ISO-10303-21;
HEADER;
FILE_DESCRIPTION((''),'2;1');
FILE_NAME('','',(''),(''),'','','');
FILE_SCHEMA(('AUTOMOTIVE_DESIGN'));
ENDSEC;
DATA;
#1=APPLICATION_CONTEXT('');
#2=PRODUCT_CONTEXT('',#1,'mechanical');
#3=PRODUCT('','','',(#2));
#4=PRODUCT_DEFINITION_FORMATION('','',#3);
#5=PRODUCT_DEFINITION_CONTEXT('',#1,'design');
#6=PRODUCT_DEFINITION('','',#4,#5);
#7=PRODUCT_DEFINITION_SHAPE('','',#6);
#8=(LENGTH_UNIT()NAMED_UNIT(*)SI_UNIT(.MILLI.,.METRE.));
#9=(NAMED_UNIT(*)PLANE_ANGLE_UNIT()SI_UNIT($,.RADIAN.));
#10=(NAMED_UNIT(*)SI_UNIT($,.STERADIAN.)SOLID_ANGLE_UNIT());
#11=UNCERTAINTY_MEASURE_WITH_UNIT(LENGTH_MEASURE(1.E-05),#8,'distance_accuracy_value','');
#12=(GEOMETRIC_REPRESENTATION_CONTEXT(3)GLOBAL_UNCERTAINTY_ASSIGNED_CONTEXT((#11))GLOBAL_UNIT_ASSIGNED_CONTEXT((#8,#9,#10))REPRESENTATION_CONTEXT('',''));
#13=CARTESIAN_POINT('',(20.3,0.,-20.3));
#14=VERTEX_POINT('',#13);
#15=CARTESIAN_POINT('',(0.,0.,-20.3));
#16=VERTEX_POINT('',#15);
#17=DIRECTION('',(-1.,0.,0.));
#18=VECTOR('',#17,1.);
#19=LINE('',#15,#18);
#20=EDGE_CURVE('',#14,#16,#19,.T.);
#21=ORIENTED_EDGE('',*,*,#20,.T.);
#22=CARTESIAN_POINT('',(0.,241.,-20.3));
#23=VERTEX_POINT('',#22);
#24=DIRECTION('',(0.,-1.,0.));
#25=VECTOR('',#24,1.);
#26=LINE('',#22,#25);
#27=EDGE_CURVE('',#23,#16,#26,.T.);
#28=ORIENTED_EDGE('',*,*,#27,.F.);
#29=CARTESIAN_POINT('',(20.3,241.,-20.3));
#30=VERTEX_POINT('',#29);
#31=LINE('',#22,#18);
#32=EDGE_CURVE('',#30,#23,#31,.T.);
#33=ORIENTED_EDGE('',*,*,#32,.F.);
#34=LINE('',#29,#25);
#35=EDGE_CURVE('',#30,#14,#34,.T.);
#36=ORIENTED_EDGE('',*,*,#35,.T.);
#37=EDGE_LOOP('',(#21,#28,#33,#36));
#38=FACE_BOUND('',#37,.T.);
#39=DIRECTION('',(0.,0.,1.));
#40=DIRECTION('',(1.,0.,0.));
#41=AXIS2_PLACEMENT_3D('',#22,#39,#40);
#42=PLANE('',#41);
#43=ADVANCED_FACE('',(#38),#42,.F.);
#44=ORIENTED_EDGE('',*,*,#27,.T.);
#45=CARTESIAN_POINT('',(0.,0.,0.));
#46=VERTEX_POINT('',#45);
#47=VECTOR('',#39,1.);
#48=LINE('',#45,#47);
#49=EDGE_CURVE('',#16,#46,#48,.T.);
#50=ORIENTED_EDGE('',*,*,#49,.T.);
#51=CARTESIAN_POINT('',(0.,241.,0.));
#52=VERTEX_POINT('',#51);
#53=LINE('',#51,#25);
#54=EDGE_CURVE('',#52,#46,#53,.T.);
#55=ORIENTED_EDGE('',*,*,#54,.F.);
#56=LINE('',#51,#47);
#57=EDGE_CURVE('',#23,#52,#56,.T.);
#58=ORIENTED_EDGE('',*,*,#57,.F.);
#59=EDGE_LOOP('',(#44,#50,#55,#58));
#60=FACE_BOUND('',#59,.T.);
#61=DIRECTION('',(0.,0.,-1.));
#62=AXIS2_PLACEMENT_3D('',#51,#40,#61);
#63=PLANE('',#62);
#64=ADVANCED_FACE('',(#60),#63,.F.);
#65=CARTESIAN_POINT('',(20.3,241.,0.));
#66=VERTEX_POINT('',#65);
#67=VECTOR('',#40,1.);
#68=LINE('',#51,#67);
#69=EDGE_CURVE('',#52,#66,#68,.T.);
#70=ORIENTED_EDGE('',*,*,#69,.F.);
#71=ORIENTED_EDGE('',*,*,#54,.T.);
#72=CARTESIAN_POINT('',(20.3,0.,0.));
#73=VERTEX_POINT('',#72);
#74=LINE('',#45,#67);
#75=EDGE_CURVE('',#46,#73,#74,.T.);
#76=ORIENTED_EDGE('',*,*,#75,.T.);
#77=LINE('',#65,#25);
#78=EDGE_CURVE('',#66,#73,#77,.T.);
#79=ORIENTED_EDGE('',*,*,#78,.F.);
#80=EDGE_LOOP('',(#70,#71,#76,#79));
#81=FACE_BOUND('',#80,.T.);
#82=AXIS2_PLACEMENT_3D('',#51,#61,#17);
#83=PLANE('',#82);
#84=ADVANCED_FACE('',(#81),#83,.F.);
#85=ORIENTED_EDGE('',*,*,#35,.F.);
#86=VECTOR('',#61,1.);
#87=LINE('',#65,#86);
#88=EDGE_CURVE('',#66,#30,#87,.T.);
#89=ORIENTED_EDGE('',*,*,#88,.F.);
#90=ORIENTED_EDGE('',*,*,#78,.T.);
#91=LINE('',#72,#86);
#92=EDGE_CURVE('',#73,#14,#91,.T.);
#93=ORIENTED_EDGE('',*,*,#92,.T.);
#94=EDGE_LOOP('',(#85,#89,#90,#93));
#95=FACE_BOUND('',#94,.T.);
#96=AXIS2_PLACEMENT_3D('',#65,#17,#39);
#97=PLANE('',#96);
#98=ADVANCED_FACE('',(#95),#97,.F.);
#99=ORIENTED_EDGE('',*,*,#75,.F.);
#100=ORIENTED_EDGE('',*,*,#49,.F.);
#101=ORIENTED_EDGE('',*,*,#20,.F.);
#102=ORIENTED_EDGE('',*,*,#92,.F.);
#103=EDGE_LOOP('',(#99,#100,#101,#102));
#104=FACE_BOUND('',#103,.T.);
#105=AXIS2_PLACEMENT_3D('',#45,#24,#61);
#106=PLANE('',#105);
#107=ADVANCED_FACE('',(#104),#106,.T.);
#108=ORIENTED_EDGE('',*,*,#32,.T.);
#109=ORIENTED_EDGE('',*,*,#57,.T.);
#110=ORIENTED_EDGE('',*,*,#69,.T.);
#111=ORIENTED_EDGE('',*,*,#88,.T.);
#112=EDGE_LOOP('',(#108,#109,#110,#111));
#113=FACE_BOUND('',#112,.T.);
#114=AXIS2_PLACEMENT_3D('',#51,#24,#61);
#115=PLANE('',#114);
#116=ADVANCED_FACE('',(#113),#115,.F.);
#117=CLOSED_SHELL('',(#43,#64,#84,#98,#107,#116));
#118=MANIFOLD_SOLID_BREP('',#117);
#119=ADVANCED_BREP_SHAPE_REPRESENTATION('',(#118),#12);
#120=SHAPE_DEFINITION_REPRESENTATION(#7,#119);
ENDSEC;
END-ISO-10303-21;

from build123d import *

# Parameters (mm, degrees)
ESQUISSE1_W        = 20.3
ESQUISSE1_H        = 20.3
BOSS_EXTRU_1_DEPTH = 241


with BuildPart() as part:
    # Esquisse1 → Boss.-Extru.1 (new body)
    with BuildSketch(Plane(origin=(0, 0, 0), x_dir=(1, 0, 0), z_dir=(0, 1, 0))):
        with Locations((10.15, 10.15)):
            Rectangle(ESQUISSE1_W, ESQUISSE1_H)
    extrude(amount=BOSS_EXTRU_1_DEPTH)


solid = part.part
